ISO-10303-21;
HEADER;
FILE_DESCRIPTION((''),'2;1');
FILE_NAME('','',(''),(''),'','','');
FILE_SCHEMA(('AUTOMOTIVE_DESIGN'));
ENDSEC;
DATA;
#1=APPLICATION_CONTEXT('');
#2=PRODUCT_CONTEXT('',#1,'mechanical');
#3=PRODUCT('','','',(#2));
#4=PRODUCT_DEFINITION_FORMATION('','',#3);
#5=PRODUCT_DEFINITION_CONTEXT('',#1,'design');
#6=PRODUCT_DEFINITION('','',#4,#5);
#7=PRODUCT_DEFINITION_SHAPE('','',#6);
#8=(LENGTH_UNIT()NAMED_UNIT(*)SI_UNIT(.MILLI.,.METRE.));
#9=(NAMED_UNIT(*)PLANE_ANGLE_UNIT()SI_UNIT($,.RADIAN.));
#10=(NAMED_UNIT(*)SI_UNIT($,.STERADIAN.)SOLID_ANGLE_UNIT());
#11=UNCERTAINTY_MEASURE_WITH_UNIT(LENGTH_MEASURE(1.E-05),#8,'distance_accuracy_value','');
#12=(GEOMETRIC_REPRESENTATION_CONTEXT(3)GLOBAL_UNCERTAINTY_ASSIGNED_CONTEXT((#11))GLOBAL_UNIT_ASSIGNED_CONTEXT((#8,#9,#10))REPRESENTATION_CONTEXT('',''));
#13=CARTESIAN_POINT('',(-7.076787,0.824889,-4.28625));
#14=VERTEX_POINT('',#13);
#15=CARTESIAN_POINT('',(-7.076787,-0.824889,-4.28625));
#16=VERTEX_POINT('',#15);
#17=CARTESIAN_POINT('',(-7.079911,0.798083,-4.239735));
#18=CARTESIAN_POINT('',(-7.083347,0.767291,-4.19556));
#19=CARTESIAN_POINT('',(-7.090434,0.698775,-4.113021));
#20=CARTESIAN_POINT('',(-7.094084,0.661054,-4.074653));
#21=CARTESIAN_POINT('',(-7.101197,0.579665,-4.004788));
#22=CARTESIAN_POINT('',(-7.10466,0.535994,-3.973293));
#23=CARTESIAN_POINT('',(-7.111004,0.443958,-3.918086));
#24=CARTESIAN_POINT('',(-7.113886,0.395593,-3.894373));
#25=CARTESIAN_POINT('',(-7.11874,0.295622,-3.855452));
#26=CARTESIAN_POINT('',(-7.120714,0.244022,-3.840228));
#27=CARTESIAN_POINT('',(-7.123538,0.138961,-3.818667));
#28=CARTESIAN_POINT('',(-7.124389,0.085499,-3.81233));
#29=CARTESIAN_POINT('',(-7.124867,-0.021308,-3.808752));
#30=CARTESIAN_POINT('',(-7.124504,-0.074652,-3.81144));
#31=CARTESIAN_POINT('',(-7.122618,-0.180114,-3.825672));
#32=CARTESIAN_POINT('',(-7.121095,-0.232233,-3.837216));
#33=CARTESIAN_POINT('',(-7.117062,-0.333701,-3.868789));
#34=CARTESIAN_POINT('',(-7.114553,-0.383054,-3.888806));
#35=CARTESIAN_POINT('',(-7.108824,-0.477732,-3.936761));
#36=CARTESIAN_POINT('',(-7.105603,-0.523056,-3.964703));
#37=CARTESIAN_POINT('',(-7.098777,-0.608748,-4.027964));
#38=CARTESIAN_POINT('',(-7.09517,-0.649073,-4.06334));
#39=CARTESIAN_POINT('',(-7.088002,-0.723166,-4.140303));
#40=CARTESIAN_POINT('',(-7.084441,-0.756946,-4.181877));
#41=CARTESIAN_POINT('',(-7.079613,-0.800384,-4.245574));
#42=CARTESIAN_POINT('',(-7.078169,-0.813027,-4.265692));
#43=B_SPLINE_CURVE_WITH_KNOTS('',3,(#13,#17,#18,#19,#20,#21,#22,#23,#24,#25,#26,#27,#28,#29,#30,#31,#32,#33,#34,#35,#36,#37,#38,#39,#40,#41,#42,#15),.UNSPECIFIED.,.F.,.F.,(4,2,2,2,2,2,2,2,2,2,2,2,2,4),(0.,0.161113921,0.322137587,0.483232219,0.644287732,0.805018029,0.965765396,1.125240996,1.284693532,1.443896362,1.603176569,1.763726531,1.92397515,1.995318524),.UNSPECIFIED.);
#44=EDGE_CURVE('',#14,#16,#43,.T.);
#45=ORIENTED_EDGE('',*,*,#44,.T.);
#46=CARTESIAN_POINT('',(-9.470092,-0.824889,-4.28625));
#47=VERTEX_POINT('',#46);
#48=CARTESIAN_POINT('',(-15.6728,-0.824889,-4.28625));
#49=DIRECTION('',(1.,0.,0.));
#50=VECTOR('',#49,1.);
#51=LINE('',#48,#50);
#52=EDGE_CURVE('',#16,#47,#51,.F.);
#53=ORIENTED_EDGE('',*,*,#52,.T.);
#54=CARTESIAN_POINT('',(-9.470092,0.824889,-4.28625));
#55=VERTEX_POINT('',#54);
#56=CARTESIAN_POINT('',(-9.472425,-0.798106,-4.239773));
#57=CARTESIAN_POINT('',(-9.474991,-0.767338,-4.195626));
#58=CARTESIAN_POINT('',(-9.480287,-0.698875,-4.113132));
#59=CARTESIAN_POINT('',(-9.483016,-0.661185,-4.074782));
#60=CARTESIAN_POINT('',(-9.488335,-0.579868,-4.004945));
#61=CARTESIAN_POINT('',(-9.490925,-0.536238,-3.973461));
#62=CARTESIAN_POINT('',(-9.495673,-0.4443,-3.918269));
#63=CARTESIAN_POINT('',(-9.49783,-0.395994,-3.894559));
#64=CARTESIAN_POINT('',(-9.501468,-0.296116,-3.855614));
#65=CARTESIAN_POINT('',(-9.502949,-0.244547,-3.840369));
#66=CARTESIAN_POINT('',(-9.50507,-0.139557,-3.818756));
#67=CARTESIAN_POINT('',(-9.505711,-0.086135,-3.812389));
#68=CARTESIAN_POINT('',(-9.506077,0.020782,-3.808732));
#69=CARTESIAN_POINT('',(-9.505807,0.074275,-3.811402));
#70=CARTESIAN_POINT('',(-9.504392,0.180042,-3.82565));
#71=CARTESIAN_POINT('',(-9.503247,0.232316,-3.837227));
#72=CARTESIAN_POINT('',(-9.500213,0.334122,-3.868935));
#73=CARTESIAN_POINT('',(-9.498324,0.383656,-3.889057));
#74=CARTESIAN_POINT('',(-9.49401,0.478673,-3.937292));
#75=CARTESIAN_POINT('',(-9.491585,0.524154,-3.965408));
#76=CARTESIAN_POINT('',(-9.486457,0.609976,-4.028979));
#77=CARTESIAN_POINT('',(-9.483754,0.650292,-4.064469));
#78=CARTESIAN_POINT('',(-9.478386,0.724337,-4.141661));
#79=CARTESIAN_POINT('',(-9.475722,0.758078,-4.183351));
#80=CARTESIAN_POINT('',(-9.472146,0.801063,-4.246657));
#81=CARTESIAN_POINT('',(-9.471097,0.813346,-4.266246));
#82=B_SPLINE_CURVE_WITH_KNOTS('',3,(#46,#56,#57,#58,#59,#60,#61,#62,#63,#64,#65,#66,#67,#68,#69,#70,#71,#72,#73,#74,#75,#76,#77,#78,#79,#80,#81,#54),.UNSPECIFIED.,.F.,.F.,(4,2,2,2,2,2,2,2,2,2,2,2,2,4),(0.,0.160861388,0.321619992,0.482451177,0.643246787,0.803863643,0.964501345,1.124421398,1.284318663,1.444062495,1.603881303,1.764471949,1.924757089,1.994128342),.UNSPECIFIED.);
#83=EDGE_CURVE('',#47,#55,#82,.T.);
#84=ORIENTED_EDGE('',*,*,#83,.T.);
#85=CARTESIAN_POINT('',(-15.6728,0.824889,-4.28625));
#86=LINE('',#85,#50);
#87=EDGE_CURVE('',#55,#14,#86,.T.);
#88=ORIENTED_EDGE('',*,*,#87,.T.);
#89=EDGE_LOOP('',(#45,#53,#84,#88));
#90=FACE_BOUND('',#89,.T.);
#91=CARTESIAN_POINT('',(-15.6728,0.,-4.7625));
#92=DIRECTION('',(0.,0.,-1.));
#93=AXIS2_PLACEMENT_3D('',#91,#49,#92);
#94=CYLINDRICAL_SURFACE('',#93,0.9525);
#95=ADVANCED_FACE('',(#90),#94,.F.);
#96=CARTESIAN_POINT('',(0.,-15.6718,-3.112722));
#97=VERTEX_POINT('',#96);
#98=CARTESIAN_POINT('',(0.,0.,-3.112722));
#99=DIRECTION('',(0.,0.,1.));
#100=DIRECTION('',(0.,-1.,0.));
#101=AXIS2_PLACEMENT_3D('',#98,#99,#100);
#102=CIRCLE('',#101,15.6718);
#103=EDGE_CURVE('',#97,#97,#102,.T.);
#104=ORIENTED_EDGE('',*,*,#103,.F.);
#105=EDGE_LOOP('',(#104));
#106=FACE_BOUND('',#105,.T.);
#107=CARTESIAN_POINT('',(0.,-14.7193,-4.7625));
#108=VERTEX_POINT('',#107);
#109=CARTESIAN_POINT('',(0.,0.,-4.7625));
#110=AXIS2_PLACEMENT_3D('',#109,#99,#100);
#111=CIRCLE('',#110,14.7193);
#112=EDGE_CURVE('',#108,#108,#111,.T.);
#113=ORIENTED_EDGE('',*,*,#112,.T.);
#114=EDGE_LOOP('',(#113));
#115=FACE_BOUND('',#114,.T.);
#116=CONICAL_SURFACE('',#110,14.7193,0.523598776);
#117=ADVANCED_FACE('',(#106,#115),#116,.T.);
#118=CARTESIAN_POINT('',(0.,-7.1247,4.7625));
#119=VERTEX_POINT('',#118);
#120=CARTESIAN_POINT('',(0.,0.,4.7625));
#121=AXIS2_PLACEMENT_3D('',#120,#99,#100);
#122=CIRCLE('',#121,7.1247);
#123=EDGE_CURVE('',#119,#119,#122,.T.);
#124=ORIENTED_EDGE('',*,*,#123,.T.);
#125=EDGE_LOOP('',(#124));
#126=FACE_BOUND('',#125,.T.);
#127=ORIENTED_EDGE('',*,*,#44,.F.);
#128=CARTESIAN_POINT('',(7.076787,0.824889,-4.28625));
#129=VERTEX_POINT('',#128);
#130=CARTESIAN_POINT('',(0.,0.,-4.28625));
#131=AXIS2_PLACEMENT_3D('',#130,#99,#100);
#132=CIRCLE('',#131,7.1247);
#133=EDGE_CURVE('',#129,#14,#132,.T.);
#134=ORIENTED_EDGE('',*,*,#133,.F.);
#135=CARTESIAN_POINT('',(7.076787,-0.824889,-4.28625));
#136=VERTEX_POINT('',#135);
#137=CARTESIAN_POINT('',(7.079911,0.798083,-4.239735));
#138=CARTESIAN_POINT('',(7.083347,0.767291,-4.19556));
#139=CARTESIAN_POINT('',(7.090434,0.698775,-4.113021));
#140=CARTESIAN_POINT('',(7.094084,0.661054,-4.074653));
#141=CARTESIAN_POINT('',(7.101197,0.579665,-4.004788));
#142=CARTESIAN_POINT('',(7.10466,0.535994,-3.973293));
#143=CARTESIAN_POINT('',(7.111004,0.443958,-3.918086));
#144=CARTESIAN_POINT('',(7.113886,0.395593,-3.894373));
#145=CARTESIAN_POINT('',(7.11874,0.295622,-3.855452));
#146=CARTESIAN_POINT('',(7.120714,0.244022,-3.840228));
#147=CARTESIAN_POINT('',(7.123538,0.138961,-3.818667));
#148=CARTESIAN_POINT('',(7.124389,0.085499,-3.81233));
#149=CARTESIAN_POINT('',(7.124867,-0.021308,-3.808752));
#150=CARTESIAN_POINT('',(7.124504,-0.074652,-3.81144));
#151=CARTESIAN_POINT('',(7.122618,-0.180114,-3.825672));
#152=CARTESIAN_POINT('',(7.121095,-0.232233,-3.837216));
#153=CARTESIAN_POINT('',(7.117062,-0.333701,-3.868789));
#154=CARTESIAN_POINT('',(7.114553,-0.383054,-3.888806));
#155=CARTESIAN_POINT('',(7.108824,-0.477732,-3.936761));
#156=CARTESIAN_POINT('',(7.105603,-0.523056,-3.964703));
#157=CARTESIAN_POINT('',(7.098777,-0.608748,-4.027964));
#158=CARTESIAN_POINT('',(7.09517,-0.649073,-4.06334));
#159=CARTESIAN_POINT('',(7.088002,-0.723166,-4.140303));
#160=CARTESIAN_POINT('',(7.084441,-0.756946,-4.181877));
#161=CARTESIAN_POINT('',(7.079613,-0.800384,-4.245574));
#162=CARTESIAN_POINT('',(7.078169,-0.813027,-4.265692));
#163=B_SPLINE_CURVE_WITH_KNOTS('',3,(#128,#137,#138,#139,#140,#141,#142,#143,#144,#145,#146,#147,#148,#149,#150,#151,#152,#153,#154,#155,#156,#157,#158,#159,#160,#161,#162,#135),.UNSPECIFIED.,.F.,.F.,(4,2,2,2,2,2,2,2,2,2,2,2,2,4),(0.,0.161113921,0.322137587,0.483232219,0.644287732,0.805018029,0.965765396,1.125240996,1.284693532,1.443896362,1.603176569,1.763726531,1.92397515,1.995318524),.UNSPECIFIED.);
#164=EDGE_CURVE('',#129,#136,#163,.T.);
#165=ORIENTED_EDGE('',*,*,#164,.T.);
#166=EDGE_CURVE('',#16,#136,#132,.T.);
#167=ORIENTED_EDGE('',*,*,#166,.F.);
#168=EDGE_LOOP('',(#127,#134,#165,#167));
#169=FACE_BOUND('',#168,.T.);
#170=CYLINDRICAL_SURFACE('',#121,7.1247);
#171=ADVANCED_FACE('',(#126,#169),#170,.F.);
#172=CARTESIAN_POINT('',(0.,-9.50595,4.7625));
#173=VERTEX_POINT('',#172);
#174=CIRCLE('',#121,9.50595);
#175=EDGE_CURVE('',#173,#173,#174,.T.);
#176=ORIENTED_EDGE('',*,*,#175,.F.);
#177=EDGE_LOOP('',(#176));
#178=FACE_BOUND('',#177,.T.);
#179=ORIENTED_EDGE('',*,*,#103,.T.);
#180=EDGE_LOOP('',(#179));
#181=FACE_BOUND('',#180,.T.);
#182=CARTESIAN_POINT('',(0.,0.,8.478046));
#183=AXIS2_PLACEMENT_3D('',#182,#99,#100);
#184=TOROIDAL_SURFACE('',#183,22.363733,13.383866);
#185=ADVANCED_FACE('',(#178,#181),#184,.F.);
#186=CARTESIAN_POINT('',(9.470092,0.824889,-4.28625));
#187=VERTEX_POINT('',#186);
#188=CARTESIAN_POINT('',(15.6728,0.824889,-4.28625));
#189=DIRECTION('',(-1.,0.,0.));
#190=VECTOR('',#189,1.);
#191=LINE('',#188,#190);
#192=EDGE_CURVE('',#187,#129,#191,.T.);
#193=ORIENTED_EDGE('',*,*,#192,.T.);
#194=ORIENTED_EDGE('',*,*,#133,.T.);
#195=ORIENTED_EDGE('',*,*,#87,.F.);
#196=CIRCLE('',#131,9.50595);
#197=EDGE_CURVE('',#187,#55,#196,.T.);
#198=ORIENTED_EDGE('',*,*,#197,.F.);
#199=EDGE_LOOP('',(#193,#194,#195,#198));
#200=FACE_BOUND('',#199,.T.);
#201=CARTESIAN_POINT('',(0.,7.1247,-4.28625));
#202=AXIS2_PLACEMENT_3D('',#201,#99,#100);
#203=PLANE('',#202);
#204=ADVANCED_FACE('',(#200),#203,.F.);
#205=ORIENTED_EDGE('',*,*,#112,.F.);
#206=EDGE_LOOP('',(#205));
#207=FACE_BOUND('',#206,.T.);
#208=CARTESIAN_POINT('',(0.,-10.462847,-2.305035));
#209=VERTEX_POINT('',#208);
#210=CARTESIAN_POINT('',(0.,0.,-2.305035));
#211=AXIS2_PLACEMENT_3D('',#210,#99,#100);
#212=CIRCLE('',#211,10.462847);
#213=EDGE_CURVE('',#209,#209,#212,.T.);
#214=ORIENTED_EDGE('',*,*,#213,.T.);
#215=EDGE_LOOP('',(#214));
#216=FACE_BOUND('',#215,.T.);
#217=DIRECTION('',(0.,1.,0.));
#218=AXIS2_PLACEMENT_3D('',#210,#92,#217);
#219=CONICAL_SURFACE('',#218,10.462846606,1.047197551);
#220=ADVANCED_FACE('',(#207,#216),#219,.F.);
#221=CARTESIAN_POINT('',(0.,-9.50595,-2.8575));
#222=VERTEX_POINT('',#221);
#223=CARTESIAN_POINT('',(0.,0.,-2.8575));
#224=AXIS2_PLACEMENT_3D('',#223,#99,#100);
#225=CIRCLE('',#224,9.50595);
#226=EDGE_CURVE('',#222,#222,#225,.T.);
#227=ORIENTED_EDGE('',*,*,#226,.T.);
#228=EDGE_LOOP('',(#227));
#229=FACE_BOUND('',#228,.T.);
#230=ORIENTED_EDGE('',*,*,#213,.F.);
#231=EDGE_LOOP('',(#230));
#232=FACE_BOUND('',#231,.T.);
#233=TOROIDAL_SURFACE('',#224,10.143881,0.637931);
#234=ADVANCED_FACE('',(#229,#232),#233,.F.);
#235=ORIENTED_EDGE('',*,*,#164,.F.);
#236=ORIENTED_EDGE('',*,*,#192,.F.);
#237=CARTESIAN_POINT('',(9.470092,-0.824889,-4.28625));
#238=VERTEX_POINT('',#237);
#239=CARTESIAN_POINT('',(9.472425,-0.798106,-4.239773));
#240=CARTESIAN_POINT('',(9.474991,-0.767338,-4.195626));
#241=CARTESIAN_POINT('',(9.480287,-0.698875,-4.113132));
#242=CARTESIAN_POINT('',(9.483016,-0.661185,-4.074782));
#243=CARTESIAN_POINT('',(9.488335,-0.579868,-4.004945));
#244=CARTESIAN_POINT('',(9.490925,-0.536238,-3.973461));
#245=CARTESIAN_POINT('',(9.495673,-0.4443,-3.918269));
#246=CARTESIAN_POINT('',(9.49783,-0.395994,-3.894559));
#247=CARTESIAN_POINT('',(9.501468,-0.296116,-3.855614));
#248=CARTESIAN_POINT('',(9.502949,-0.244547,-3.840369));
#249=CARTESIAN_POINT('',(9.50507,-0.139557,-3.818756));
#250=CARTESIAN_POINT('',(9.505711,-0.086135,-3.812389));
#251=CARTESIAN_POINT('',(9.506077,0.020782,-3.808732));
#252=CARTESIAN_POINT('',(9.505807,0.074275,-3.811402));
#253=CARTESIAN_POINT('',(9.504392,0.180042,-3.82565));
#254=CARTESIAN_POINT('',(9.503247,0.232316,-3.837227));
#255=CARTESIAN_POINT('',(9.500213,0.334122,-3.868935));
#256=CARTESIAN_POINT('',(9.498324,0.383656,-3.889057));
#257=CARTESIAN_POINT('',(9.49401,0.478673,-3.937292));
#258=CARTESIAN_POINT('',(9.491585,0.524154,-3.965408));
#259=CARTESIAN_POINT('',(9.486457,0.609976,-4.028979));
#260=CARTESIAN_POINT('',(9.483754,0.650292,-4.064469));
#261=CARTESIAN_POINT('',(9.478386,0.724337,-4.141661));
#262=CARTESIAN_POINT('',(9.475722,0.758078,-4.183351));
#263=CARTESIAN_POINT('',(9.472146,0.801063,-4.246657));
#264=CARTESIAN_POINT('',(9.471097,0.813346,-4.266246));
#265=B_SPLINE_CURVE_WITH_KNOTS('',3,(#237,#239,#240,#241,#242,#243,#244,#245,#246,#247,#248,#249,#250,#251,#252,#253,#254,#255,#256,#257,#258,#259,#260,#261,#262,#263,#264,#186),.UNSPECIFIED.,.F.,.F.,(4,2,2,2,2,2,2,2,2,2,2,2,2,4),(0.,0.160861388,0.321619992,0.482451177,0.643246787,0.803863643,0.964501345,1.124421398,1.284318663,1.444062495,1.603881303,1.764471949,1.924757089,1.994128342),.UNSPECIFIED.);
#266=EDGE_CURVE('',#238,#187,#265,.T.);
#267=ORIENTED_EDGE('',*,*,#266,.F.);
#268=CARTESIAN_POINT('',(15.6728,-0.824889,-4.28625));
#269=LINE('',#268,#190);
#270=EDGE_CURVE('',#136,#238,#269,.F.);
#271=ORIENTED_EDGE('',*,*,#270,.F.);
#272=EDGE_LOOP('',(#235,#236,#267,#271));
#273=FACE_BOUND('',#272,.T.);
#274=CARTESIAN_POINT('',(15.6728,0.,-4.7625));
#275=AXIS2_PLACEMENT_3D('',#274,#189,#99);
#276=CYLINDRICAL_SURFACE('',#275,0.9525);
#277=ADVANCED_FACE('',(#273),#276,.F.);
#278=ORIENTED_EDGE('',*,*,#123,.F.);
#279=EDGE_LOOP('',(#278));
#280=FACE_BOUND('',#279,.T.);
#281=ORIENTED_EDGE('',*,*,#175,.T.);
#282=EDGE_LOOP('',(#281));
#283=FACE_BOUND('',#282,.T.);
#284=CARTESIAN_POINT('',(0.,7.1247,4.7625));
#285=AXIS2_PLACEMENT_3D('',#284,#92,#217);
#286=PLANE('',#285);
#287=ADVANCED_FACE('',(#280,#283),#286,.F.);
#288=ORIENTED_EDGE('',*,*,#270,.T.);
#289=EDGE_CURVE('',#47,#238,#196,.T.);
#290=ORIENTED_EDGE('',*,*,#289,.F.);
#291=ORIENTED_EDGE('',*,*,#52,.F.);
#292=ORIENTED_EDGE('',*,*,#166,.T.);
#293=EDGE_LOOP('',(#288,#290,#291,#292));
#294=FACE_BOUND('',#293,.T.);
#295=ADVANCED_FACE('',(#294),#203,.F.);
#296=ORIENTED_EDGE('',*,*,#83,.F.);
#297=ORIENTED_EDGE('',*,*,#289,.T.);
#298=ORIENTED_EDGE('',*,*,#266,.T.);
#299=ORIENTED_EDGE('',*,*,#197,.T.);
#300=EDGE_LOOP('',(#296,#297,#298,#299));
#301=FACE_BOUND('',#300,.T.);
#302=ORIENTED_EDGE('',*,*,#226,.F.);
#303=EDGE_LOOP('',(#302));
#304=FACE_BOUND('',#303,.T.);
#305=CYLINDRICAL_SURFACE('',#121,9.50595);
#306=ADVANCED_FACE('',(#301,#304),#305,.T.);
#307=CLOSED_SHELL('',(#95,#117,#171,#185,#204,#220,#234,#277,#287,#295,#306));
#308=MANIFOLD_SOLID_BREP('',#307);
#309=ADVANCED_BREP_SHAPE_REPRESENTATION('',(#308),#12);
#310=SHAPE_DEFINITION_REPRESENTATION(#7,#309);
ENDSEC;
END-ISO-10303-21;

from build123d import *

# Parameters (mm, degrees)
CUT_EXTRUDE1_REACH             = 24.669
SKETCH2_R                      = 0.9525
CUT_EXTRUDE1_DIRECTION_2_REACH = 24.669


with BuildPart() as part:
    # Sketch3 → Revolve1 (revolve)
    with BuildSketch(Plane(origin=(0, 0, 0), x_dir=(0, 0, -1), z_dir=(1, 0, 0)), mode=Mode.PRIVATE) as revolve1_sk:
        with BuildLine():
            Line((-4.7625, 7.1247), (-4.7625, 9.50595))
            ThreePointArc((-4.7625, 9.50595), (-0.2272742, 11.825581937), (3.112721606, 15.6718))
            Line((3.112721606, 15.6718), (4.7625, 14.7193))
            Line((4.7625, 14.7193), (2.305035487, 10.462846606))
            ThreePointArc((2.305035487, 10.462846606), (2.305035487, 9.824915535), (2.8575, 9.50595))
            Line((2.8575, 9.50595), (4.28625, 9.50595))
            Line((4.28625, 9.50595), (4.28625, 7.1247))
            Line((4.28625, 7.1247), (-4.7625, 7.1247))
        make_face()
    revolve(revolve1_sk.sketch.rotate(Axis((0, 0, 4.7625), (0, 0, -1)), 180), axis=Axis((0, 0, 4.7625), (0, 0, -1)))

    # Sketch2 → Cut-Extrude1 (cut, up to next)
    with BuildSketch(Plane(origin=(0, 0, 0), x_dir=(0, 0, -1), z_dir=(1, 0, 0)), mode=Mode.PRIVATE) as cut_extrude1_sk1:
        with Locations((4.7625, 0)):
            Circle(SKETCH2_R)
    cut_extrude1_tool1 = extrude(cut_extrude1_sk1.sketch, amount=-CUT_EXTRUDE1_REACH, mode=Mode.PRIVATE) & part.part
    add(cut_extrude1_tool1.solids().sort_by_distance((0, 0, -4.7625))[0], mode=Mode.SUBTRACT)

    # Sketch2 → Cut-Extrude1 direction 2 (cut, up to next)
    with BuildSketch(Plane(origin=(0, 0, 0), x_dir=(0, 0, -1), z_dir=(1, 0, 0)), mode=Mode.PRIVATE) as cut_extrude1_direction_2_sk1:
        with Locations((4.7625, 0)):
            Circle(SKETCH2_R)
    cut_extrude1_direction_2_tool1 = extrude(cut_extrude1_direction_2_sk1.sketch, amount=CUT_EXTRUDE1_DIRECTION_2_REACH, mode=Mode.PRIVATE) & part.part
    add(cut_extrude1_direction_2_tool1.solids().sort_by_distance((0, 0, -4.7625))[0], mode=Mode.SUBTRACT)


solid = part.part
